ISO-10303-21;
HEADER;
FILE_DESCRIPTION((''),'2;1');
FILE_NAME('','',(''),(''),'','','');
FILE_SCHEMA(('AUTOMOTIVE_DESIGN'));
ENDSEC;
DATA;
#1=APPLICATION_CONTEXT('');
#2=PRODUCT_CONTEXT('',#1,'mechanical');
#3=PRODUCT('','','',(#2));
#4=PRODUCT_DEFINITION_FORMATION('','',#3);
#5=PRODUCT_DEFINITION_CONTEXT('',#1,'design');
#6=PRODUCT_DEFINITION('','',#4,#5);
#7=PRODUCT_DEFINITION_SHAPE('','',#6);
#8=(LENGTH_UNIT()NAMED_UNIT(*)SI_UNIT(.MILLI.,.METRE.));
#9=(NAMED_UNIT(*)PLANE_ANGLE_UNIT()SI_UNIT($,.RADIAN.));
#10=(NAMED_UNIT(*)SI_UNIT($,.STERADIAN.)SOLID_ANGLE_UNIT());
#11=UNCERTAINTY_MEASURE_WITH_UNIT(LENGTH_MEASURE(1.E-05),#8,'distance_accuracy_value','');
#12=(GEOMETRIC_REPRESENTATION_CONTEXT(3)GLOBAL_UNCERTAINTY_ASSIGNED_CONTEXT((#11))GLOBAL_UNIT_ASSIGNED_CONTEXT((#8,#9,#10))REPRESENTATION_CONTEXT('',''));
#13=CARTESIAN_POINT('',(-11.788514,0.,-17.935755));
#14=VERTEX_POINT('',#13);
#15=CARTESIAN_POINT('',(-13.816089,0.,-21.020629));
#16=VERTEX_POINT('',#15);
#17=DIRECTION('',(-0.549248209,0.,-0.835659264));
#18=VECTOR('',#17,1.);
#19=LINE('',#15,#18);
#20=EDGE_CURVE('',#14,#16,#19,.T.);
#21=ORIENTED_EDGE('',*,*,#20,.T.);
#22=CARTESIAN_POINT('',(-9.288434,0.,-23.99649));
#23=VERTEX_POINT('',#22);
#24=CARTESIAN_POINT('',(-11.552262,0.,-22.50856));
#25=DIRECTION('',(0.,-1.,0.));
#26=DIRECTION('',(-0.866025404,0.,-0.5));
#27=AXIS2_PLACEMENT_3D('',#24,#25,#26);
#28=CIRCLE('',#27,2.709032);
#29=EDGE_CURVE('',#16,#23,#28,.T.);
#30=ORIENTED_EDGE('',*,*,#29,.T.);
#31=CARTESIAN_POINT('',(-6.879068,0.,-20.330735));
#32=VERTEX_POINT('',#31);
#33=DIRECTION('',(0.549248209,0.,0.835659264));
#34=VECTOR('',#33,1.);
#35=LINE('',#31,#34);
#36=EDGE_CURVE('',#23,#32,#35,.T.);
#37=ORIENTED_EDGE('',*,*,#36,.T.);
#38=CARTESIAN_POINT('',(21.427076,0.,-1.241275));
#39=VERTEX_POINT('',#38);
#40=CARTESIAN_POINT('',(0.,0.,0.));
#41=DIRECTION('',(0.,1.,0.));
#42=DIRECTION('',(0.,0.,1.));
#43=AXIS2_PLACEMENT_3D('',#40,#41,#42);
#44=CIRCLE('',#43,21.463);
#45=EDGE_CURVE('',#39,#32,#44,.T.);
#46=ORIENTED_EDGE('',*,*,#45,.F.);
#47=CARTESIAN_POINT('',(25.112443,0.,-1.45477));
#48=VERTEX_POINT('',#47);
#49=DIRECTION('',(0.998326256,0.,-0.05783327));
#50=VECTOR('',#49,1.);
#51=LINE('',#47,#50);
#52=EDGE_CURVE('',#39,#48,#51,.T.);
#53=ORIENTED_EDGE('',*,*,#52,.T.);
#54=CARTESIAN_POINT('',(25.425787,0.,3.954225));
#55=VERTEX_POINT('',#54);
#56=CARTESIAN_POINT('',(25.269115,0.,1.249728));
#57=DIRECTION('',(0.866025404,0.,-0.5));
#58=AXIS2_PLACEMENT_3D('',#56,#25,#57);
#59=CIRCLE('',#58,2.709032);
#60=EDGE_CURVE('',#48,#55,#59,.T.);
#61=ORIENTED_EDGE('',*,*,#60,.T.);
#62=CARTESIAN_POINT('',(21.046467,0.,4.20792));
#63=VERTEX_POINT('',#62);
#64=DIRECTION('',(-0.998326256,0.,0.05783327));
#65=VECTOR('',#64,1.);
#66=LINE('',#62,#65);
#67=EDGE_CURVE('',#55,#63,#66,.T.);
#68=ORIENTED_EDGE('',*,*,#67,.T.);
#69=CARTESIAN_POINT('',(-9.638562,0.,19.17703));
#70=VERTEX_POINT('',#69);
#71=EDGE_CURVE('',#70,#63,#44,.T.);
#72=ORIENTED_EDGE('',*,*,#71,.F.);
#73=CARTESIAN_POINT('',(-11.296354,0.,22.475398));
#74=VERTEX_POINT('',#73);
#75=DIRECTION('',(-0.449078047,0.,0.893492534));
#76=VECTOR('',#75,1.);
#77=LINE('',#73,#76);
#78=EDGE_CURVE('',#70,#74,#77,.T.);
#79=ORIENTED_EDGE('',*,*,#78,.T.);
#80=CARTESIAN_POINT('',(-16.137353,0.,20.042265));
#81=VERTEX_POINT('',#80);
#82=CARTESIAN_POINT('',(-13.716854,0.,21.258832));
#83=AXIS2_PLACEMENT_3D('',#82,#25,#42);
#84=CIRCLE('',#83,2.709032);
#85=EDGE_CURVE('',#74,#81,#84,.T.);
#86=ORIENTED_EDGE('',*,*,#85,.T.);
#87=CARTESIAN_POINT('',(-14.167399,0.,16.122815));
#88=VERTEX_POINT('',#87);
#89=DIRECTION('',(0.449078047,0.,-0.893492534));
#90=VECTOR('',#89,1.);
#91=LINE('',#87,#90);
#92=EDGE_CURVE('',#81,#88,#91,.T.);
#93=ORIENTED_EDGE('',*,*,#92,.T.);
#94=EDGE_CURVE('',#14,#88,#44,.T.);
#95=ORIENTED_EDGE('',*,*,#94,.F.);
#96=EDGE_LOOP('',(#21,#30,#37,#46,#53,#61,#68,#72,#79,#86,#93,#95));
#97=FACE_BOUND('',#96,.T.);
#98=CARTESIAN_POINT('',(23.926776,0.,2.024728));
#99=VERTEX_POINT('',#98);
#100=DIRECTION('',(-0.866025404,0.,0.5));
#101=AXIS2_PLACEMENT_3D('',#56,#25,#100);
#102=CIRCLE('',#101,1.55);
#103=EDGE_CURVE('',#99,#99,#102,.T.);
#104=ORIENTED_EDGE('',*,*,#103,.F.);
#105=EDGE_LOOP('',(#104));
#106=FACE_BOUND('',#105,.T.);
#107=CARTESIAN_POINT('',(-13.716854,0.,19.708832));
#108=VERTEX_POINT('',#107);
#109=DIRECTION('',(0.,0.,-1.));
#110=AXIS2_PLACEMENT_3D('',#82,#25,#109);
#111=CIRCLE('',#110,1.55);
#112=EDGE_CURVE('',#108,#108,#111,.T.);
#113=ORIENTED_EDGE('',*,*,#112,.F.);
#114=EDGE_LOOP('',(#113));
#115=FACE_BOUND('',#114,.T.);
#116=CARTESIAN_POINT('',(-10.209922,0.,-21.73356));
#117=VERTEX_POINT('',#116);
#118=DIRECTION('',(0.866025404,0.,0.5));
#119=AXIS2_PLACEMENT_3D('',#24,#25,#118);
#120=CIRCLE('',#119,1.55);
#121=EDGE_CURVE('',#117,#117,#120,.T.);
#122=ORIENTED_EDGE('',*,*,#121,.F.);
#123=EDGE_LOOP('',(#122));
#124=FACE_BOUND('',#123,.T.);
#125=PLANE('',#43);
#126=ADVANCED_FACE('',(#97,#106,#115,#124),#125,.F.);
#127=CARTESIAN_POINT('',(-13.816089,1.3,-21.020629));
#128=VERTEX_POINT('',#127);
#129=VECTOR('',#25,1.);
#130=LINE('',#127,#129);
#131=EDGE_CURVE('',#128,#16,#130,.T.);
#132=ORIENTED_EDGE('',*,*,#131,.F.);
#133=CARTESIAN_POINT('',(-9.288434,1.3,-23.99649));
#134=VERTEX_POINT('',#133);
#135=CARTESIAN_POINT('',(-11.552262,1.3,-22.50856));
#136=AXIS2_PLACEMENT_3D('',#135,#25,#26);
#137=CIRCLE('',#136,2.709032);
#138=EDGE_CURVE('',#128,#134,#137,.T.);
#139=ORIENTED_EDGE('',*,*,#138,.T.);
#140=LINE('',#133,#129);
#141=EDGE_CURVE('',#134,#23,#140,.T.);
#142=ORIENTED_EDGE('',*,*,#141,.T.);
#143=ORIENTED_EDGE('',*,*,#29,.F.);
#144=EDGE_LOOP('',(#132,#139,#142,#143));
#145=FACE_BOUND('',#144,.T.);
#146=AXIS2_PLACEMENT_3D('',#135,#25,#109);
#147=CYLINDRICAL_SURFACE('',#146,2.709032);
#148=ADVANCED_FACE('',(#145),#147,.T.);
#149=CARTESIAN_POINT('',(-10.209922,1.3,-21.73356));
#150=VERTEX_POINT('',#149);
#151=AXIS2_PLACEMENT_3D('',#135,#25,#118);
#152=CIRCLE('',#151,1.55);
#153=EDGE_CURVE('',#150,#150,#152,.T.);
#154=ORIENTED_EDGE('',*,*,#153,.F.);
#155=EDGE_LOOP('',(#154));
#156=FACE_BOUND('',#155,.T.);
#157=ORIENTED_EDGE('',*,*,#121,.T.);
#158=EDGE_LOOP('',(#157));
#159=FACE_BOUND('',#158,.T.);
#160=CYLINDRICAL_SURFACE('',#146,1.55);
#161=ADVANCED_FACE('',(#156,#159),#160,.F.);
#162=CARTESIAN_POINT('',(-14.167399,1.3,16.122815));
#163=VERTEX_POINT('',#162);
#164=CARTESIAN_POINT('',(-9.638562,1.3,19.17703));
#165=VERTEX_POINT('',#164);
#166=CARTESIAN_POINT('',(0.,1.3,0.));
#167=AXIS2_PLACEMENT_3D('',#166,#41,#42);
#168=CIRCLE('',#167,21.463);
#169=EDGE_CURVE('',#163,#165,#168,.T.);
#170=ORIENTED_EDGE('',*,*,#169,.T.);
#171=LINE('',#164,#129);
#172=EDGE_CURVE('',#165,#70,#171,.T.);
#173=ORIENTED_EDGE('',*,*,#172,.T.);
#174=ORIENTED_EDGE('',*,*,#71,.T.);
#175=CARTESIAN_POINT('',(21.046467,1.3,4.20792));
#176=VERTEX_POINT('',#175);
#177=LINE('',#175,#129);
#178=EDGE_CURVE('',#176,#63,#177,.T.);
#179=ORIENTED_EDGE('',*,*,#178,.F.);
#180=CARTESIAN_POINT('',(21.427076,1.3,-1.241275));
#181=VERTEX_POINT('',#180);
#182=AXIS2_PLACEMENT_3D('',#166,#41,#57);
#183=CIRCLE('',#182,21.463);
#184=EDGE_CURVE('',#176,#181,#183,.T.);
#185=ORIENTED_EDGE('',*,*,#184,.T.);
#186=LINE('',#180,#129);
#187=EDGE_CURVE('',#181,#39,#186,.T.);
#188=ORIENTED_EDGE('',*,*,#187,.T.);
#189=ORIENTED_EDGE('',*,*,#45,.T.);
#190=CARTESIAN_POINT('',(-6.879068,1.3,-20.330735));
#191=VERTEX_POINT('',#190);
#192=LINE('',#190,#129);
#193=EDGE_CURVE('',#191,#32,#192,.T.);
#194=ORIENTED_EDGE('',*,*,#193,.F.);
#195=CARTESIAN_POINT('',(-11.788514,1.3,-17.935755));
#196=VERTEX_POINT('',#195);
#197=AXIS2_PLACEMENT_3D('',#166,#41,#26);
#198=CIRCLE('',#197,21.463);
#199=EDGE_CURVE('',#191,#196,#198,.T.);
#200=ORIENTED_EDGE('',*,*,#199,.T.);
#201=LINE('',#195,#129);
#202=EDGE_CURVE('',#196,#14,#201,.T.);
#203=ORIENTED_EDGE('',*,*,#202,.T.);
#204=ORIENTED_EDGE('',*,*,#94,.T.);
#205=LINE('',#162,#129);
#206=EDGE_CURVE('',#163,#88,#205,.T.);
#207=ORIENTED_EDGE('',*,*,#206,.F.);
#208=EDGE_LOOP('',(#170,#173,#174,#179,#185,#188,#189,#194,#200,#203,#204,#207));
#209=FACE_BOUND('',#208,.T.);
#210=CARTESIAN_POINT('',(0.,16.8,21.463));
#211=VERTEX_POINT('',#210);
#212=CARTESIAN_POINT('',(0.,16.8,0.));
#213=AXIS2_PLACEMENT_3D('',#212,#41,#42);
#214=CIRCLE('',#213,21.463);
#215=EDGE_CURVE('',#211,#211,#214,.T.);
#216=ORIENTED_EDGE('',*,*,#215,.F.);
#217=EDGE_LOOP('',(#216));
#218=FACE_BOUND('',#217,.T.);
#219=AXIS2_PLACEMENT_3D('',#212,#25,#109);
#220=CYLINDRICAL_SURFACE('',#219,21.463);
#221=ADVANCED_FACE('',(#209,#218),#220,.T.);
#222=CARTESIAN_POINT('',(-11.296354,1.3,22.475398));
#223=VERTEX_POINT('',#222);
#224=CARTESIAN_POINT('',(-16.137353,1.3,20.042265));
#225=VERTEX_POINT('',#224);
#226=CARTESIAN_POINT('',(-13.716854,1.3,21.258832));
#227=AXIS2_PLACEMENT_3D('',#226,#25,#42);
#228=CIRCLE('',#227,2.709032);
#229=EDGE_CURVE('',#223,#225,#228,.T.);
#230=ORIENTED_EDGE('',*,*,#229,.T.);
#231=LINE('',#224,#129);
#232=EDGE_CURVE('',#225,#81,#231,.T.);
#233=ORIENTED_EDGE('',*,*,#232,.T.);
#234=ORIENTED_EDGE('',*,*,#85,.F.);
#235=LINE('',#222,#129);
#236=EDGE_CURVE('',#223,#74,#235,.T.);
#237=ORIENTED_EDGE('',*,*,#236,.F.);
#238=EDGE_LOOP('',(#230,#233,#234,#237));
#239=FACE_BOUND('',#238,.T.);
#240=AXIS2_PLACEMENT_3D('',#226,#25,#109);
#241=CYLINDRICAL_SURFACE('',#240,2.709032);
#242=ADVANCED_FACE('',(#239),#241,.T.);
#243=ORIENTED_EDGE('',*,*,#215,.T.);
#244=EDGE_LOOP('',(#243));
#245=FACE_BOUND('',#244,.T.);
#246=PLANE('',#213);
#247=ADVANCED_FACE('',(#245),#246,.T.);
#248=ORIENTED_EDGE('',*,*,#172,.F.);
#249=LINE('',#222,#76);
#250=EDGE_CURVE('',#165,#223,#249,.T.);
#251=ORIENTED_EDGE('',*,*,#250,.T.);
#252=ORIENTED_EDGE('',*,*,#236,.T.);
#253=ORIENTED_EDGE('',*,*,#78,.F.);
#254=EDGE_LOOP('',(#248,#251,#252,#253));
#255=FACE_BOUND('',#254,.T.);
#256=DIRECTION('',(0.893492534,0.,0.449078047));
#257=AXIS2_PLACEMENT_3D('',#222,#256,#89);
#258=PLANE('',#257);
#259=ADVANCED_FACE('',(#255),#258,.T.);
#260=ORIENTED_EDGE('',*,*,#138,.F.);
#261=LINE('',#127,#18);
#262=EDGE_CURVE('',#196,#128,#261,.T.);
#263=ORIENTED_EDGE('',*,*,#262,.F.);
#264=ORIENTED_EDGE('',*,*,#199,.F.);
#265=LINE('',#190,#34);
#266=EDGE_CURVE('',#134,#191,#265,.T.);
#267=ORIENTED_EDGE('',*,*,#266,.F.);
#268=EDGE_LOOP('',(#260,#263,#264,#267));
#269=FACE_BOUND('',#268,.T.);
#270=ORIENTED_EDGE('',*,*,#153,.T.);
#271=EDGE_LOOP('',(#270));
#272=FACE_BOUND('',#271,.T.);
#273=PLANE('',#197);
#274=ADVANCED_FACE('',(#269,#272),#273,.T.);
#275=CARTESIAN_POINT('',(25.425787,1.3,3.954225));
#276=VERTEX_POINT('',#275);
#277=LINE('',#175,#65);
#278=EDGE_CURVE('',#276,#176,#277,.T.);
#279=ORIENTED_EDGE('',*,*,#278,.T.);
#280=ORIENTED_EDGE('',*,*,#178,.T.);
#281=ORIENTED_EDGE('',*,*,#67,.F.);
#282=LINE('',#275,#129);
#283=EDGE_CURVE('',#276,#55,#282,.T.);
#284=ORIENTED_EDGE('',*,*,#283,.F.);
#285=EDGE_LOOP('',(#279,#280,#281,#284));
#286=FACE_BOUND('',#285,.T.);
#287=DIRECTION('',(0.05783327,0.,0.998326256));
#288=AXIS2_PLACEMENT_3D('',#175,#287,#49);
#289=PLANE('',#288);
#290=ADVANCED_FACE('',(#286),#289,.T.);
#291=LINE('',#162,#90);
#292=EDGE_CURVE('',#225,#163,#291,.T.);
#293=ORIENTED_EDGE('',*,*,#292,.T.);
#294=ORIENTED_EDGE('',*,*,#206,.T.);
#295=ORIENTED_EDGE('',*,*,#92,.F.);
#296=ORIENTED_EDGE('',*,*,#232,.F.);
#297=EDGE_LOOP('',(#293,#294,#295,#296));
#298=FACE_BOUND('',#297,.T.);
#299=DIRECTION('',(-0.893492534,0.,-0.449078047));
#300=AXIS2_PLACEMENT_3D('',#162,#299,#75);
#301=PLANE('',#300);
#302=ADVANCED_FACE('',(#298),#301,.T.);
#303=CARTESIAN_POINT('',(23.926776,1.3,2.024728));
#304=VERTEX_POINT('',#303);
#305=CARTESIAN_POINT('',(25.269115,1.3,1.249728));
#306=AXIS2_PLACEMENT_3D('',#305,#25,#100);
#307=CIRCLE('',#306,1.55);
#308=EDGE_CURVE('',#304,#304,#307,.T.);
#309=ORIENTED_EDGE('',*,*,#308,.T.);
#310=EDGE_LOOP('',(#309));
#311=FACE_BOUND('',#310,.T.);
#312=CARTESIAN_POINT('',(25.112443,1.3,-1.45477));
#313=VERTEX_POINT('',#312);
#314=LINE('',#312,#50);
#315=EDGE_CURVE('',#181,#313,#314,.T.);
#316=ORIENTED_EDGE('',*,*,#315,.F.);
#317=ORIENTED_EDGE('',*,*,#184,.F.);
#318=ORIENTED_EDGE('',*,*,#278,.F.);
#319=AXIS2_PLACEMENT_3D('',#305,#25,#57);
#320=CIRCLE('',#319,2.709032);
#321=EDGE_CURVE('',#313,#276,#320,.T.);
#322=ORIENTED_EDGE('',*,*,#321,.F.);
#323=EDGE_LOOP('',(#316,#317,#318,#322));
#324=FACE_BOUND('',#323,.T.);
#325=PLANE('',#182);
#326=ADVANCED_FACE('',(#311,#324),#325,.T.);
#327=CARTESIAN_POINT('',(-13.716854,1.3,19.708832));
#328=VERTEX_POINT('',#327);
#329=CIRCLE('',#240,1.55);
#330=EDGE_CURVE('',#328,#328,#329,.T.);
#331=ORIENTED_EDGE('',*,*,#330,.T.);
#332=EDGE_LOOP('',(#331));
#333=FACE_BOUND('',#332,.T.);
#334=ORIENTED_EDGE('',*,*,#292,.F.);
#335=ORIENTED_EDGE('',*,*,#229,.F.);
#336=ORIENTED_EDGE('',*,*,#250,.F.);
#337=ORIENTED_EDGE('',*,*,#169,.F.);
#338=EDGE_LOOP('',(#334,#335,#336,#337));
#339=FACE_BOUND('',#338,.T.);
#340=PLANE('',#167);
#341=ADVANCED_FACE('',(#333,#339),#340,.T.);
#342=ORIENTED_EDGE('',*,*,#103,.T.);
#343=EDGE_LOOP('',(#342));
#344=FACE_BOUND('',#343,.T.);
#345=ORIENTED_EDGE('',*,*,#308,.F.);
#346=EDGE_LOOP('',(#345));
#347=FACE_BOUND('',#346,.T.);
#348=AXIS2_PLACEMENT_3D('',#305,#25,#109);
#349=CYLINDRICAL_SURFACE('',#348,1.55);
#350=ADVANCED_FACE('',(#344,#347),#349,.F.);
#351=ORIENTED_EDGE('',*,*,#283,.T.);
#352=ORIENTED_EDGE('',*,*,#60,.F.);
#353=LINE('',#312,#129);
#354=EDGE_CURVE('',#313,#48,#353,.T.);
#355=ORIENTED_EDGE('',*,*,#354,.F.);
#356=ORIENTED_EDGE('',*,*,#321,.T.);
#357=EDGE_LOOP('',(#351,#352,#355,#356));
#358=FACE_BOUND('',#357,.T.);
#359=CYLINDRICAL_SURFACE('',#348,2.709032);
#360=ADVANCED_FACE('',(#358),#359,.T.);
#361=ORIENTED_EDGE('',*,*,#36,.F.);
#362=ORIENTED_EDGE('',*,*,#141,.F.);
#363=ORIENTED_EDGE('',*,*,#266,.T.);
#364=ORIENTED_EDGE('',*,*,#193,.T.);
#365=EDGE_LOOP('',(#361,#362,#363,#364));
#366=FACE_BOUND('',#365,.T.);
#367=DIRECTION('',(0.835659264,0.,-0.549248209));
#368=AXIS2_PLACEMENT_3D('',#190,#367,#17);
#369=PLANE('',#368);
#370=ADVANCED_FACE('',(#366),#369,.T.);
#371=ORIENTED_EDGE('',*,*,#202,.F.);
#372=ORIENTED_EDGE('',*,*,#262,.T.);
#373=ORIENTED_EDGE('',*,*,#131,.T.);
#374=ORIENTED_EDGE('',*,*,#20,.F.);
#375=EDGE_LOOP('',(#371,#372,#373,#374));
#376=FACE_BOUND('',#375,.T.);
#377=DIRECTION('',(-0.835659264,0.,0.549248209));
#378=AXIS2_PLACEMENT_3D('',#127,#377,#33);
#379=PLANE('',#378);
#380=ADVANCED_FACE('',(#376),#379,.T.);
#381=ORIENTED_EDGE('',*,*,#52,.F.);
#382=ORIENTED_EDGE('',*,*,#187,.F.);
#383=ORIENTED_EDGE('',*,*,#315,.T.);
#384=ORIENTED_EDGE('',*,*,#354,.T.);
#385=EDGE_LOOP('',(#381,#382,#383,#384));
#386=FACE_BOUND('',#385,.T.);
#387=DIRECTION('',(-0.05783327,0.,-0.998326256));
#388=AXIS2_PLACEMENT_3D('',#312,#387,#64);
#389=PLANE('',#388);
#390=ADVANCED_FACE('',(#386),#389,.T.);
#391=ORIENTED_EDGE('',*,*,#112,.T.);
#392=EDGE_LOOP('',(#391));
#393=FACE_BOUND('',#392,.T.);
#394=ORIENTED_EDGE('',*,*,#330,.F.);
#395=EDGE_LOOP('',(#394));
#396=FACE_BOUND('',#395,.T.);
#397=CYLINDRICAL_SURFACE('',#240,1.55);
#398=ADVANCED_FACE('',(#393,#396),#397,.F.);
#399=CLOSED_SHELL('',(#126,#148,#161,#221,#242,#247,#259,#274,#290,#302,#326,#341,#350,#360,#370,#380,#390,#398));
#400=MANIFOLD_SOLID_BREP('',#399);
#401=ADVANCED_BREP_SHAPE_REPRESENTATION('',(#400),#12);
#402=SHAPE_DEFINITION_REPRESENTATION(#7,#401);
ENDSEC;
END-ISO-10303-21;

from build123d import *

# Parameters (mm, degrees)
SKETCH1_R           = 21.463
BOSS_EXTRUDE1_DEPTH = 16.8
SKETCH2_R           = 1.55
BOSS_EXTRUDE2_DEPTH = 1.3
CIRPATTERN1_COUNT   = 3


with BuildPart() as part:
    # Sketch1 → Boss-Extrude1 (new body)
    with BuildSketch(Plane(origin=(0, 0, 0), x_dir=(1, 0, 0), z_dir=(0, 1, 0))):
        Circle(SKETCH1_R)
    extrude(amount=BOSS_EXTRUDE1_DEPTH)

    # Sketch2 → Boss-Extrude2 (add)
    with BuildSketch(Plane.XZ):
        with BuildLine():
            Line((-14.167399247, 16.122815126), (-16.137353009, 20.042265188))
            ThreePointArc((-16.137353009, 20.042265188), (-14.933420138, 23.679331264), (-11.296354062, 22.475398393))
            Line((-11.296354062, 22.475398393), (-9.63856212, 19.177030251))
            ThreePointArc((-9.63856212, 19.177030251), (-12.000541932, 17.794588007), (-14.167399247, 16.122815126))
        make_face()
        with Locations((-13.716853536, 21.25883179)):
            Circle(SKETCH2_R, mode=Mode.SUBTRACT)
    boss_extrude2 = extrude(amount=-BOSS_EXTRUDE2_DEPTH)

    # CirPattern1: Boss-Extrude2 ×3 about axis
    cirpattern1_axis = Axis((0, 17.64, 0), (0, -1, 0))
    for i in range(1, CIRPATTERN1_COUNT):
        add(boss_extrude2.rotate(cirpattern1_axis, i * 360 / CIRPATTERN1_COUNT))


solid = part.part
